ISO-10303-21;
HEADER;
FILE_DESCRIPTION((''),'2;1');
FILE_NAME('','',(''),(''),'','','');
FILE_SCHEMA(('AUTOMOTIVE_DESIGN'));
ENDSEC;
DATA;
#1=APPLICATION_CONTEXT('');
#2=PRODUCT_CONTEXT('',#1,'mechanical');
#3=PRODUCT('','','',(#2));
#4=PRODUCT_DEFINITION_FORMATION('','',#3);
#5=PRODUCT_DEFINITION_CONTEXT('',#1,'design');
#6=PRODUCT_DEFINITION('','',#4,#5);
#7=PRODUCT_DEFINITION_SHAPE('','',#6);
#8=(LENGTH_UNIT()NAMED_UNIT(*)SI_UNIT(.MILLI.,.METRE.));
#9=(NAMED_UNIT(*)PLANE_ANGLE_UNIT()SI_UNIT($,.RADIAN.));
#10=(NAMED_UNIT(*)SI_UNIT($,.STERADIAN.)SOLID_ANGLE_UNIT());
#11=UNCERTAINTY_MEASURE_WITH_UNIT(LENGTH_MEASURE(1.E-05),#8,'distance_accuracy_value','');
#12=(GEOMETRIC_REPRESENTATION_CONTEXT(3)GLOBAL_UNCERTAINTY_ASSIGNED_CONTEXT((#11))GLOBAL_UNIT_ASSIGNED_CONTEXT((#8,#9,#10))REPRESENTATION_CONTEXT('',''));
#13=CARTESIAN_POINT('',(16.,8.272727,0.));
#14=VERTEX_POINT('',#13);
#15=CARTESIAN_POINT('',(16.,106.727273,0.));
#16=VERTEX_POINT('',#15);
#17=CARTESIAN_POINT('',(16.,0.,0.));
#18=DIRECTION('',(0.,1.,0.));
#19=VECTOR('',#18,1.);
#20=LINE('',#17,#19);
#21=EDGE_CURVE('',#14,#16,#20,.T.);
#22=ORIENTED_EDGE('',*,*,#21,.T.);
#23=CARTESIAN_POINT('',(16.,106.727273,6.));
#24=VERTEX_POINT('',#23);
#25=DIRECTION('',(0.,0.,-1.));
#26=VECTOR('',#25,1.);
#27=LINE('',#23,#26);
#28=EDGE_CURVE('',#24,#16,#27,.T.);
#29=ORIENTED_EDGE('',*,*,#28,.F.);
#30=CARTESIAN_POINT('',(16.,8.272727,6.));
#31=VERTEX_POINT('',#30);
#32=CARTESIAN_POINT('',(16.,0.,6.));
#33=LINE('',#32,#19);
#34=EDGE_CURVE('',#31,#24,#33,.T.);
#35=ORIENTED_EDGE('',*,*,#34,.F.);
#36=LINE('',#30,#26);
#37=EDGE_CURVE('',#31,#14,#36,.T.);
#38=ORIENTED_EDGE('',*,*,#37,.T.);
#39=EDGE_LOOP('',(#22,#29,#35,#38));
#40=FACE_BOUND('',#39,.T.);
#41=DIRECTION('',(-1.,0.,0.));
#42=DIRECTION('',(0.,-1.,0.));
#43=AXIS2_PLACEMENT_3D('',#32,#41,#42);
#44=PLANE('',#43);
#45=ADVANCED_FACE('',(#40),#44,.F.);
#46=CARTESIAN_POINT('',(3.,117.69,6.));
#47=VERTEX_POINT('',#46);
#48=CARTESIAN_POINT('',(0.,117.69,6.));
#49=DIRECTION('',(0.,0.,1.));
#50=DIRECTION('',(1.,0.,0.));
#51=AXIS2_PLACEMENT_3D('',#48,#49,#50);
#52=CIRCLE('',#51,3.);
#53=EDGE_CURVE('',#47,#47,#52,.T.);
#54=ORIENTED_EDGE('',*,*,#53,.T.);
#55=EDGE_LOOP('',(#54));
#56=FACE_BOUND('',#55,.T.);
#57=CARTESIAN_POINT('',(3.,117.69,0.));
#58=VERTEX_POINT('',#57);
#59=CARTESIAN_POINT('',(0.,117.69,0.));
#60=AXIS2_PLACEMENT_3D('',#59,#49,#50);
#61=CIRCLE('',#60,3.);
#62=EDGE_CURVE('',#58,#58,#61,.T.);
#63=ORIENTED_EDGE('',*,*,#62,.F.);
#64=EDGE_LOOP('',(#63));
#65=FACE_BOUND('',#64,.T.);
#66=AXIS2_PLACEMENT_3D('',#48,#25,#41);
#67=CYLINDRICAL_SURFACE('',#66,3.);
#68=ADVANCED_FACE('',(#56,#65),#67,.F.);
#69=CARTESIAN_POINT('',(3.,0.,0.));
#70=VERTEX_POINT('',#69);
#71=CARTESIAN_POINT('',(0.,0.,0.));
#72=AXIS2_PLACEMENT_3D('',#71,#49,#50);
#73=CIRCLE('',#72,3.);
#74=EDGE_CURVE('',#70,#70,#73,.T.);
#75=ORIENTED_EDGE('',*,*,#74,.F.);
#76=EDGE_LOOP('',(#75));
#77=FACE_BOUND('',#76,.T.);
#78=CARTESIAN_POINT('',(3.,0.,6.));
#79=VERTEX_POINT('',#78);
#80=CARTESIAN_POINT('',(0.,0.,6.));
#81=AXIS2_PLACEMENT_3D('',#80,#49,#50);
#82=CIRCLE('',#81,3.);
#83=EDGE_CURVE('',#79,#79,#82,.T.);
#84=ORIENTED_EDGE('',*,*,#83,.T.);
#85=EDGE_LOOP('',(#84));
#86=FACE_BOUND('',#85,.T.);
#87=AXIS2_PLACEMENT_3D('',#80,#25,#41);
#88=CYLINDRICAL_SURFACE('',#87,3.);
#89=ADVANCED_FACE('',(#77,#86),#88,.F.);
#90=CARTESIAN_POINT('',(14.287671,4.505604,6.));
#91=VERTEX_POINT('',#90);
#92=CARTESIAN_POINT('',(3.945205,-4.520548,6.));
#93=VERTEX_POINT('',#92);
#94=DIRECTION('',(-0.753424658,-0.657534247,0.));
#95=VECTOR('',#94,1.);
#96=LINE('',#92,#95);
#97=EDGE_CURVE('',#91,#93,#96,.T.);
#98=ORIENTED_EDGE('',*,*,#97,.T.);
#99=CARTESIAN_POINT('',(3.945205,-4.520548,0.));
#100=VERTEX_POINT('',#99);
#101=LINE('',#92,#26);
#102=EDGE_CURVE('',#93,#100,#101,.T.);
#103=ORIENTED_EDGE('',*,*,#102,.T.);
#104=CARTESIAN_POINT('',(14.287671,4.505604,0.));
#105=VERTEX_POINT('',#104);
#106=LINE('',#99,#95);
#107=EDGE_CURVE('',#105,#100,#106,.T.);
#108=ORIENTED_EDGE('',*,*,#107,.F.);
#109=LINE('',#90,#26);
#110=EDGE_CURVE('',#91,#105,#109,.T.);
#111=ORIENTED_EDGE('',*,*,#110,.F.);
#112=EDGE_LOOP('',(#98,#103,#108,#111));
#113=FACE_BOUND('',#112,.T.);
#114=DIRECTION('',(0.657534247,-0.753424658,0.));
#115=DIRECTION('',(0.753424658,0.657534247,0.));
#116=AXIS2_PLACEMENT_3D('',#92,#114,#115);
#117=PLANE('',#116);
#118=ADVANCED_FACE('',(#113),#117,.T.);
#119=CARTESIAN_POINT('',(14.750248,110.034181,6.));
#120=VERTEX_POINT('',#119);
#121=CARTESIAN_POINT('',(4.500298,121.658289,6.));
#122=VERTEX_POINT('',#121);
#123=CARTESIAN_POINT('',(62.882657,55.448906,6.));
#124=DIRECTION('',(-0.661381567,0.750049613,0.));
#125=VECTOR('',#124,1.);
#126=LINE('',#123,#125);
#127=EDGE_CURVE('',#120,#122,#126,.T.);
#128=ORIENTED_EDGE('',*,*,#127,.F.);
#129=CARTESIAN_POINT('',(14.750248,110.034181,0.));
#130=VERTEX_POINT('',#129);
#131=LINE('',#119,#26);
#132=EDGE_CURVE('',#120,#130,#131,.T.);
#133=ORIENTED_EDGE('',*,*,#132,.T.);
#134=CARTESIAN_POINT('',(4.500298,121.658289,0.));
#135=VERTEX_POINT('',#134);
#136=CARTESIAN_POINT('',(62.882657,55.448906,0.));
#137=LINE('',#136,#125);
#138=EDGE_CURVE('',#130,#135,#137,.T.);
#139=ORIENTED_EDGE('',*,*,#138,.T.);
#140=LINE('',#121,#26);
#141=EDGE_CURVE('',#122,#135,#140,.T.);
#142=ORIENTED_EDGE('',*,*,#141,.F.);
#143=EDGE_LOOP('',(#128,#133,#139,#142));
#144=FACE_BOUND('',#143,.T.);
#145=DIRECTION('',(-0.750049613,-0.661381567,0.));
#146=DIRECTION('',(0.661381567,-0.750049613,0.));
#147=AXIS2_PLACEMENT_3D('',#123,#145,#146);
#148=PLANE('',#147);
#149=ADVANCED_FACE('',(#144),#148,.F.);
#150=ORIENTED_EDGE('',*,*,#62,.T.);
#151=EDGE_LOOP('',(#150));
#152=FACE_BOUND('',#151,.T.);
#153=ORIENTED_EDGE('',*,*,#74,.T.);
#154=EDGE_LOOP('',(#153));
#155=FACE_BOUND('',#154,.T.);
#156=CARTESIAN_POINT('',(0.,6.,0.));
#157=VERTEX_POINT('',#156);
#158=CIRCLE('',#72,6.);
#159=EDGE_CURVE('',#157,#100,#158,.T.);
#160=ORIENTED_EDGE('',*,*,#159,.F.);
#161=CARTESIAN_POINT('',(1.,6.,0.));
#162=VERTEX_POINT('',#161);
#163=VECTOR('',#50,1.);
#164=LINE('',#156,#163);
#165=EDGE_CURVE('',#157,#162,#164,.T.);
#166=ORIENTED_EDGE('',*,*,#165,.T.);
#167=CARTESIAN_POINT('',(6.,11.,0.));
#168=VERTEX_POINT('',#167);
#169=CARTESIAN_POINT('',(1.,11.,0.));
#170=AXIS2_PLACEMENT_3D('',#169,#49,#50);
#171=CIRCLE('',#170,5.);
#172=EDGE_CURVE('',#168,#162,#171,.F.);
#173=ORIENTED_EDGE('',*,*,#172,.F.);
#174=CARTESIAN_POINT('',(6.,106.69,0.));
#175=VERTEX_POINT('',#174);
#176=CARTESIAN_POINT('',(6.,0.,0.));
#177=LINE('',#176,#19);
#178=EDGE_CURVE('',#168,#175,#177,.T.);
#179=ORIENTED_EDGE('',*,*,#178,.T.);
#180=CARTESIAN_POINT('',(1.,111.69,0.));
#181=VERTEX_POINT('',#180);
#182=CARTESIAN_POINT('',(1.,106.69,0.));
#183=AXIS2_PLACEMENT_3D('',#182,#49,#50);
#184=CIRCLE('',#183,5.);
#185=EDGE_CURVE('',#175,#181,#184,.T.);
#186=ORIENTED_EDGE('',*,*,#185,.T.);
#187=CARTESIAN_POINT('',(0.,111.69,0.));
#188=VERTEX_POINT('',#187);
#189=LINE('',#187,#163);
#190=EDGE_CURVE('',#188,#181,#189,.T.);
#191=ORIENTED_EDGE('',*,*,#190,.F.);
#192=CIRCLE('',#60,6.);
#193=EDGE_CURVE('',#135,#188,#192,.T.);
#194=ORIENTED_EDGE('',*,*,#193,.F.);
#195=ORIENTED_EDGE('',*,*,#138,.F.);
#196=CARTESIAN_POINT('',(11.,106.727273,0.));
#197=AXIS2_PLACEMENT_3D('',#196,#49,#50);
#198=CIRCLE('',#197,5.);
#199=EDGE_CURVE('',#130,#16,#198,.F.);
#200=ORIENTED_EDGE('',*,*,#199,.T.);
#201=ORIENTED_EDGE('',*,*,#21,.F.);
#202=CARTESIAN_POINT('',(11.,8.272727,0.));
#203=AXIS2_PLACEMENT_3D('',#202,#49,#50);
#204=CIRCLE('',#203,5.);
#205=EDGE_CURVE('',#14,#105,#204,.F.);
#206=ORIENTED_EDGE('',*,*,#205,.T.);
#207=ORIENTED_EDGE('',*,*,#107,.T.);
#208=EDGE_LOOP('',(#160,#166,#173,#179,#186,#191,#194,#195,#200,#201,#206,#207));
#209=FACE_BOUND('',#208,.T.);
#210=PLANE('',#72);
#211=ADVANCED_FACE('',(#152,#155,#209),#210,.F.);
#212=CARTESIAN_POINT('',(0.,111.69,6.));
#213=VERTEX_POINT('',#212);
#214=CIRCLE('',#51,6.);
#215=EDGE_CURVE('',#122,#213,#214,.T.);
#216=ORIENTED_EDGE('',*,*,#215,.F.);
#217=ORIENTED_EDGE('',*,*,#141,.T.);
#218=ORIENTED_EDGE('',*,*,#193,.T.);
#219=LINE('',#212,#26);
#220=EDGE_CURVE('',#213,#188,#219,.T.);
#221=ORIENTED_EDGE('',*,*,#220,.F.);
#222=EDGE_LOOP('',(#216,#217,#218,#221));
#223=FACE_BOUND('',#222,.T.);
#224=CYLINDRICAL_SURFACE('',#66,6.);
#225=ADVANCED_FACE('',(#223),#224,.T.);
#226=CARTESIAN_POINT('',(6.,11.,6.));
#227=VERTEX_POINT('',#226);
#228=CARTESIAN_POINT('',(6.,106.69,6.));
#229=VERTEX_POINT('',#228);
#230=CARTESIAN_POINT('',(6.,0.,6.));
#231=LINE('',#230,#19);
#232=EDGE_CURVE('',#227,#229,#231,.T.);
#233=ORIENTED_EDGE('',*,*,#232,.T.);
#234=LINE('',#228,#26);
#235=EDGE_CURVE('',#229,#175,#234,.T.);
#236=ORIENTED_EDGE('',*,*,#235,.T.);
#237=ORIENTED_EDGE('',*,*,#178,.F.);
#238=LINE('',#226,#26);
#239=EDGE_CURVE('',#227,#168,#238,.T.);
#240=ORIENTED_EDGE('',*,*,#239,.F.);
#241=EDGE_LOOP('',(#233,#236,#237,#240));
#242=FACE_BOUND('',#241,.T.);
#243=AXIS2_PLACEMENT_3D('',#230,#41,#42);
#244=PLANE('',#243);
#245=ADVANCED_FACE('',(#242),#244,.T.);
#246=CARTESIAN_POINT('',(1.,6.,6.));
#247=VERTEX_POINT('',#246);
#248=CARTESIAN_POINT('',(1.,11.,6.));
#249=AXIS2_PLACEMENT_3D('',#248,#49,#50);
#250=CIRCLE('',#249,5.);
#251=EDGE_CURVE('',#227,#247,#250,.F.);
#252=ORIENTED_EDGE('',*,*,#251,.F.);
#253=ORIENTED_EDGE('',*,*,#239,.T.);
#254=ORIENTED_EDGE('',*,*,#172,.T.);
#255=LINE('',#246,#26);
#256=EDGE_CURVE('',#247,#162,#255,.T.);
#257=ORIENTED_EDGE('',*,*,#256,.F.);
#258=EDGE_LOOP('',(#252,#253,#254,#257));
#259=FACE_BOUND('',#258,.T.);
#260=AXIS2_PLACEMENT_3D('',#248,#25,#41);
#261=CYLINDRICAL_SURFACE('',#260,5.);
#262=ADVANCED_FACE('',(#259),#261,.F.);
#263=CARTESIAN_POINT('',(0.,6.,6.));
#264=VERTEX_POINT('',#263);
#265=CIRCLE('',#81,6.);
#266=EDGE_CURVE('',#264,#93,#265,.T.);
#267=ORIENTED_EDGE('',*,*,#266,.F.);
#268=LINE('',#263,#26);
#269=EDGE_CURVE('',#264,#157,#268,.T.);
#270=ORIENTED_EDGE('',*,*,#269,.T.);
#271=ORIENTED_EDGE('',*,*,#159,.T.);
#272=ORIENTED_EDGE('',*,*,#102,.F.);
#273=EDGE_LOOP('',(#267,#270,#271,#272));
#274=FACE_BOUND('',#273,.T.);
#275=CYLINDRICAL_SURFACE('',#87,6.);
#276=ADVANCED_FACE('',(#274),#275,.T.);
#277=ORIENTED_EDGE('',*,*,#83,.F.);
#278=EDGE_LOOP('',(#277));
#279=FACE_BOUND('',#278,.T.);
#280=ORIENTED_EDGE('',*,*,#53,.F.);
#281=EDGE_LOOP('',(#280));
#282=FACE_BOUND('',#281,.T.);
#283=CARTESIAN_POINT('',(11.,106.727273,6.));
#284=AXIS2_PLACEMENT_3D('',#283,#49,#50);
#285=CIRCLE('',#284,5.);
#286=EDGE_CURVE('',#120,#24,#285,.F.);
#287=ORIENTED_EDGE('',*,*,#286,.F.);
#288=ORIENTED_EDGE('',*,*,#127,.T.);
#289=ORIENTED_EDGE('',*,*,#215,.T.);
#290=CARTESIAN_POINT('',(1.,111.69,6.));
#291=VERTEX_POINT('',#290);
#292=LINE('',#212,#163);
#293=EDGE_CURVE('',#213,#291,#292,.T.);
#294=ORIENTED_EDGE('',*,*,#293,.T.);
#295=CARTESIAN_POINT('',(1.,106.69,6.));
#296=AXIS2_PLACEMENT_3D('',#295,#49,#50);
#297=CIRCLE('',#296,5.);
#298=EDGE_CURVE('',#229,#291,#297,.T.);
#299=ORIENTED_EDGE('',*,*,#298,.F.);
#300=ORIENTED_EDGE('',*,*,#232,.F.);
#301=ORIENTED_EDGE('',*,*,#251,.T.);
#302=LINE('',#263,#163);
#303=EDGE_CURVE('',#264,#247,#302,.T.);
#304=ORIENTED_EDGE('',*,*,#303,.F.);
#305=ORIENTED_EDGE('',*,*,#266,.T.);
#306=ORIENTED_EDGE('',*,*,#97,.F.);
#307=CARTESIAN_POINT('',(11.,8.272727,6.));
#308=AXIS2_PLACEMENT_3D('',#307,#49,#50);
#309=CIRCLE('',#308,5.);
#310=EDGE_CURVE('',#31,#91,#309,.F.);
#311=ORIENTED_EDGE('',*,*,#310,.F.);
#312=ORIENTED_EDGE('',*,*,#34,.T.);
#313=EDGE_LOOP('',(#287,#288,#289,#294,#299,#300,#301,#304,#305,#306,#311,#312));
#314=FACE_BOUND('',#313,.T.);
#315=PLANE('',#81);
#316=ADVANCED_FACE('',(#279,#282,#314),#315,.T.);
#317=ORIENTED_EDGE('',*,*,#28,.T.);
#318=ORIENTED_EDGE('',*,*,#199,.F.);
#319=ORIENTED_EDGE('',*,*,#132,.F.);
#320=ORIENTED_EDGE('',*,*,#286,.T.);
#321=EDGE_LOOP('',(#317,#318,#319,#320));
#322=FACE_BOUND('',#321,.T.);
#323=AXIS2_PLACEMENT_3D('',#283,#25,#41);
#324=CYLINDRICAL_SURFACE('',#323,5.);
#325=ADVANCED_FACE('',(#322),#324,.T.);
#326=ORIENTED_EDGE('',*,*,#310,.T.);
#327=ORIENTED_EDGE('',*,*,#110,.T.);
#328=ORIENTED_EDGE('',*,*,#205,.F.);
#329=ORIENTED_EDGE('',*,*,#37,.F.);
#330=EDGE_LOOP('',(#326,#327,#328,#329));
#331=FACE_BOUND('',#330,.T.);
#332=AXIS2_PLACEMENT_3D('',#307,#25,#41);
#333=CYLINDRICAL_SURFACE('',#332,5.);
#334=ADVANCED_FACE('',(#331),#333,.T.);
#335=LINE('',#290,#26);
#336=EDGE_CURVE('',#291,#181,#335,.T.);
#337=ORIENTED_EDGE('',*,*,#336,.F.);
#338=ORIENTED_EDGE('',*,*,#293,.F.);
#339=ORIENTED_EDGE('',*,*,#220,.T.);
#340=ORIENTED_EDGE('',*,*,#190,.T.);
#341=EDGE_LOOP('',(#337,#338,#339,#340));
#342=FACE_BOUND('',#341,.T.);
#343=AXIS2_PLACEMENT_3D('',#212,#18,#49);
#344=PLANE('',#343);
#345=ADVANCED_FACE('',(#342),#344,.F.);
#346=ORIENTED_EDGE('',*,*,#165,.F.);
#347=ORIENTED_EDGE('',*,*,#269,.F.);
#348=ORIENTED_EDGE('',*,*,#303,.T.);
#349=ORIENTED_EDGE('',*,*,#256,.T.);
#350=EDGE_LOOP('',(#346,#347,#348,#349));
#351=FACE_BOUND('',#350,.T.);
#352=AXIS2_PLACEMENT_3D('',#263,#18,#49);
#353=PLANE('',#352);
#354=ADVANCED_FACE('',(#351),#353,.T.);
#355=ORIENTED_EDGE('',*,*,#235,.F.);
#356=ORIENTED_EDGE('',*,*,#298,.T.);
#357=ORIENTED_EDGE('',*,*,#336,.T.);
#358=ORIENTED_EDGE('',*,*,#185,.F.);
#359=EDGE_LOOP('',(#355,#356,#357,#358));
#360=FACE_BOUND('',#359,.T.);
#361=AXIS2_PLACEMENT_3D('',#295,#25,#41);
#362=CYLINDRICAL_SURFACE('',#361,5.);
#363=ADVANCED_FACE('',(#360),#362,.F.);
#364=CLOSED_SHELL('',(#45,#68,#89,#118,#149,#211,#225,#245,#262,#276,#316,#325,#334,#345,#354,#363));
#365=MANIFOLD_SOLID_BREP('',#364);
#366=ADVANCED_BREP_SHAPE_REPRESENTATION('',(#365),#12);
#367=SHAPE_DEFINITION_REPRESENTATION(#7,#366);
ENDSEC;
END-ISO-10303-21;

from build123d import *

# Parameters (mm, degrees)
CROQUIS1_R              = 3
CROQUIS1_R_2            = 6
SALIENTE_EXTRUIR1_DEPTH = 6


with BuildPart() as part:
    # Croquis1 → Saliente-Extruir1 (new body)
    with BuildSketch(Plane.XY):
        with BuildLine():
            ThreePointArc((0, -6), (2.10674065, -5.617975065), (3.945205479, -4.520547945))
            ThreePointArc((3.945205479, -4.520547945), (5.462198865, -2.482817666), (6, 0))
            ThreePointArc((6, 0), (4.242640687, 4.242640687), (0, 6))
            ThreePointArc((0, 6), (-4.242640687, 4.242640687), (-6, 0))
            ThreePointArc((-6, 0), (-4.242640687, -4.242640687), (0, -6))
        make_face()
        Circle(CROQUIS1_R, mode=Mode.SUBTRACT)
        with BuildLine():
            ThreePointArc((14.287671233, 4.505603985), (15.551832387, 6.203712551), (16, 8.272727273))
            Line((16, 8.272727273), (16, 106.727272727))
            ThreePointArc((16, 106.727272727), (15.677138032, 108.494864262), (14.750248066, 110.034180564))
            Line((14.750248066, 110.034180564), (4.50029768, 121.658289404))
            ThreePointArc((4.50029768, 121.658289404), (5.612565638, 119.811109842), (6, 117.69))
            ThreePointArc((6, 117.69), (4.242640687, 113.447359313), (0, 111.69))
            Line((0, 111.69), (1, 111.69))
            ThreePointArc((1, 111.69), (4.535533906, 110.225533906), (6, 106.69))
            Line((6, 106.69), (6, 11))
            ThreePointArc((6, 11), (4.535533906, 7.464466094), (1, 6))
            Line((1, 6), (0, 6))
            ThreePointArc((0, 6), (4.242640687, 4.242640687), (6, 0))
            ThreePointArc((6, 0), (5.462198865, -2.482817666), (3.945205479, -4.520547945))
            Line((3.945205479, -4.520547945), (14.287671233, 4.505603985))
        make_face()
        with Locations((0, 117.69)):
            Circle(CROQUIS1_R_2)
        with Locations((0, 117.69)):
            Circle(CROQUIS1_R, mode=Mode.SUBTRACT)
    extrude(amount=SALIENTE_EXTRUIR1_DEPTH)


solid = part.part
